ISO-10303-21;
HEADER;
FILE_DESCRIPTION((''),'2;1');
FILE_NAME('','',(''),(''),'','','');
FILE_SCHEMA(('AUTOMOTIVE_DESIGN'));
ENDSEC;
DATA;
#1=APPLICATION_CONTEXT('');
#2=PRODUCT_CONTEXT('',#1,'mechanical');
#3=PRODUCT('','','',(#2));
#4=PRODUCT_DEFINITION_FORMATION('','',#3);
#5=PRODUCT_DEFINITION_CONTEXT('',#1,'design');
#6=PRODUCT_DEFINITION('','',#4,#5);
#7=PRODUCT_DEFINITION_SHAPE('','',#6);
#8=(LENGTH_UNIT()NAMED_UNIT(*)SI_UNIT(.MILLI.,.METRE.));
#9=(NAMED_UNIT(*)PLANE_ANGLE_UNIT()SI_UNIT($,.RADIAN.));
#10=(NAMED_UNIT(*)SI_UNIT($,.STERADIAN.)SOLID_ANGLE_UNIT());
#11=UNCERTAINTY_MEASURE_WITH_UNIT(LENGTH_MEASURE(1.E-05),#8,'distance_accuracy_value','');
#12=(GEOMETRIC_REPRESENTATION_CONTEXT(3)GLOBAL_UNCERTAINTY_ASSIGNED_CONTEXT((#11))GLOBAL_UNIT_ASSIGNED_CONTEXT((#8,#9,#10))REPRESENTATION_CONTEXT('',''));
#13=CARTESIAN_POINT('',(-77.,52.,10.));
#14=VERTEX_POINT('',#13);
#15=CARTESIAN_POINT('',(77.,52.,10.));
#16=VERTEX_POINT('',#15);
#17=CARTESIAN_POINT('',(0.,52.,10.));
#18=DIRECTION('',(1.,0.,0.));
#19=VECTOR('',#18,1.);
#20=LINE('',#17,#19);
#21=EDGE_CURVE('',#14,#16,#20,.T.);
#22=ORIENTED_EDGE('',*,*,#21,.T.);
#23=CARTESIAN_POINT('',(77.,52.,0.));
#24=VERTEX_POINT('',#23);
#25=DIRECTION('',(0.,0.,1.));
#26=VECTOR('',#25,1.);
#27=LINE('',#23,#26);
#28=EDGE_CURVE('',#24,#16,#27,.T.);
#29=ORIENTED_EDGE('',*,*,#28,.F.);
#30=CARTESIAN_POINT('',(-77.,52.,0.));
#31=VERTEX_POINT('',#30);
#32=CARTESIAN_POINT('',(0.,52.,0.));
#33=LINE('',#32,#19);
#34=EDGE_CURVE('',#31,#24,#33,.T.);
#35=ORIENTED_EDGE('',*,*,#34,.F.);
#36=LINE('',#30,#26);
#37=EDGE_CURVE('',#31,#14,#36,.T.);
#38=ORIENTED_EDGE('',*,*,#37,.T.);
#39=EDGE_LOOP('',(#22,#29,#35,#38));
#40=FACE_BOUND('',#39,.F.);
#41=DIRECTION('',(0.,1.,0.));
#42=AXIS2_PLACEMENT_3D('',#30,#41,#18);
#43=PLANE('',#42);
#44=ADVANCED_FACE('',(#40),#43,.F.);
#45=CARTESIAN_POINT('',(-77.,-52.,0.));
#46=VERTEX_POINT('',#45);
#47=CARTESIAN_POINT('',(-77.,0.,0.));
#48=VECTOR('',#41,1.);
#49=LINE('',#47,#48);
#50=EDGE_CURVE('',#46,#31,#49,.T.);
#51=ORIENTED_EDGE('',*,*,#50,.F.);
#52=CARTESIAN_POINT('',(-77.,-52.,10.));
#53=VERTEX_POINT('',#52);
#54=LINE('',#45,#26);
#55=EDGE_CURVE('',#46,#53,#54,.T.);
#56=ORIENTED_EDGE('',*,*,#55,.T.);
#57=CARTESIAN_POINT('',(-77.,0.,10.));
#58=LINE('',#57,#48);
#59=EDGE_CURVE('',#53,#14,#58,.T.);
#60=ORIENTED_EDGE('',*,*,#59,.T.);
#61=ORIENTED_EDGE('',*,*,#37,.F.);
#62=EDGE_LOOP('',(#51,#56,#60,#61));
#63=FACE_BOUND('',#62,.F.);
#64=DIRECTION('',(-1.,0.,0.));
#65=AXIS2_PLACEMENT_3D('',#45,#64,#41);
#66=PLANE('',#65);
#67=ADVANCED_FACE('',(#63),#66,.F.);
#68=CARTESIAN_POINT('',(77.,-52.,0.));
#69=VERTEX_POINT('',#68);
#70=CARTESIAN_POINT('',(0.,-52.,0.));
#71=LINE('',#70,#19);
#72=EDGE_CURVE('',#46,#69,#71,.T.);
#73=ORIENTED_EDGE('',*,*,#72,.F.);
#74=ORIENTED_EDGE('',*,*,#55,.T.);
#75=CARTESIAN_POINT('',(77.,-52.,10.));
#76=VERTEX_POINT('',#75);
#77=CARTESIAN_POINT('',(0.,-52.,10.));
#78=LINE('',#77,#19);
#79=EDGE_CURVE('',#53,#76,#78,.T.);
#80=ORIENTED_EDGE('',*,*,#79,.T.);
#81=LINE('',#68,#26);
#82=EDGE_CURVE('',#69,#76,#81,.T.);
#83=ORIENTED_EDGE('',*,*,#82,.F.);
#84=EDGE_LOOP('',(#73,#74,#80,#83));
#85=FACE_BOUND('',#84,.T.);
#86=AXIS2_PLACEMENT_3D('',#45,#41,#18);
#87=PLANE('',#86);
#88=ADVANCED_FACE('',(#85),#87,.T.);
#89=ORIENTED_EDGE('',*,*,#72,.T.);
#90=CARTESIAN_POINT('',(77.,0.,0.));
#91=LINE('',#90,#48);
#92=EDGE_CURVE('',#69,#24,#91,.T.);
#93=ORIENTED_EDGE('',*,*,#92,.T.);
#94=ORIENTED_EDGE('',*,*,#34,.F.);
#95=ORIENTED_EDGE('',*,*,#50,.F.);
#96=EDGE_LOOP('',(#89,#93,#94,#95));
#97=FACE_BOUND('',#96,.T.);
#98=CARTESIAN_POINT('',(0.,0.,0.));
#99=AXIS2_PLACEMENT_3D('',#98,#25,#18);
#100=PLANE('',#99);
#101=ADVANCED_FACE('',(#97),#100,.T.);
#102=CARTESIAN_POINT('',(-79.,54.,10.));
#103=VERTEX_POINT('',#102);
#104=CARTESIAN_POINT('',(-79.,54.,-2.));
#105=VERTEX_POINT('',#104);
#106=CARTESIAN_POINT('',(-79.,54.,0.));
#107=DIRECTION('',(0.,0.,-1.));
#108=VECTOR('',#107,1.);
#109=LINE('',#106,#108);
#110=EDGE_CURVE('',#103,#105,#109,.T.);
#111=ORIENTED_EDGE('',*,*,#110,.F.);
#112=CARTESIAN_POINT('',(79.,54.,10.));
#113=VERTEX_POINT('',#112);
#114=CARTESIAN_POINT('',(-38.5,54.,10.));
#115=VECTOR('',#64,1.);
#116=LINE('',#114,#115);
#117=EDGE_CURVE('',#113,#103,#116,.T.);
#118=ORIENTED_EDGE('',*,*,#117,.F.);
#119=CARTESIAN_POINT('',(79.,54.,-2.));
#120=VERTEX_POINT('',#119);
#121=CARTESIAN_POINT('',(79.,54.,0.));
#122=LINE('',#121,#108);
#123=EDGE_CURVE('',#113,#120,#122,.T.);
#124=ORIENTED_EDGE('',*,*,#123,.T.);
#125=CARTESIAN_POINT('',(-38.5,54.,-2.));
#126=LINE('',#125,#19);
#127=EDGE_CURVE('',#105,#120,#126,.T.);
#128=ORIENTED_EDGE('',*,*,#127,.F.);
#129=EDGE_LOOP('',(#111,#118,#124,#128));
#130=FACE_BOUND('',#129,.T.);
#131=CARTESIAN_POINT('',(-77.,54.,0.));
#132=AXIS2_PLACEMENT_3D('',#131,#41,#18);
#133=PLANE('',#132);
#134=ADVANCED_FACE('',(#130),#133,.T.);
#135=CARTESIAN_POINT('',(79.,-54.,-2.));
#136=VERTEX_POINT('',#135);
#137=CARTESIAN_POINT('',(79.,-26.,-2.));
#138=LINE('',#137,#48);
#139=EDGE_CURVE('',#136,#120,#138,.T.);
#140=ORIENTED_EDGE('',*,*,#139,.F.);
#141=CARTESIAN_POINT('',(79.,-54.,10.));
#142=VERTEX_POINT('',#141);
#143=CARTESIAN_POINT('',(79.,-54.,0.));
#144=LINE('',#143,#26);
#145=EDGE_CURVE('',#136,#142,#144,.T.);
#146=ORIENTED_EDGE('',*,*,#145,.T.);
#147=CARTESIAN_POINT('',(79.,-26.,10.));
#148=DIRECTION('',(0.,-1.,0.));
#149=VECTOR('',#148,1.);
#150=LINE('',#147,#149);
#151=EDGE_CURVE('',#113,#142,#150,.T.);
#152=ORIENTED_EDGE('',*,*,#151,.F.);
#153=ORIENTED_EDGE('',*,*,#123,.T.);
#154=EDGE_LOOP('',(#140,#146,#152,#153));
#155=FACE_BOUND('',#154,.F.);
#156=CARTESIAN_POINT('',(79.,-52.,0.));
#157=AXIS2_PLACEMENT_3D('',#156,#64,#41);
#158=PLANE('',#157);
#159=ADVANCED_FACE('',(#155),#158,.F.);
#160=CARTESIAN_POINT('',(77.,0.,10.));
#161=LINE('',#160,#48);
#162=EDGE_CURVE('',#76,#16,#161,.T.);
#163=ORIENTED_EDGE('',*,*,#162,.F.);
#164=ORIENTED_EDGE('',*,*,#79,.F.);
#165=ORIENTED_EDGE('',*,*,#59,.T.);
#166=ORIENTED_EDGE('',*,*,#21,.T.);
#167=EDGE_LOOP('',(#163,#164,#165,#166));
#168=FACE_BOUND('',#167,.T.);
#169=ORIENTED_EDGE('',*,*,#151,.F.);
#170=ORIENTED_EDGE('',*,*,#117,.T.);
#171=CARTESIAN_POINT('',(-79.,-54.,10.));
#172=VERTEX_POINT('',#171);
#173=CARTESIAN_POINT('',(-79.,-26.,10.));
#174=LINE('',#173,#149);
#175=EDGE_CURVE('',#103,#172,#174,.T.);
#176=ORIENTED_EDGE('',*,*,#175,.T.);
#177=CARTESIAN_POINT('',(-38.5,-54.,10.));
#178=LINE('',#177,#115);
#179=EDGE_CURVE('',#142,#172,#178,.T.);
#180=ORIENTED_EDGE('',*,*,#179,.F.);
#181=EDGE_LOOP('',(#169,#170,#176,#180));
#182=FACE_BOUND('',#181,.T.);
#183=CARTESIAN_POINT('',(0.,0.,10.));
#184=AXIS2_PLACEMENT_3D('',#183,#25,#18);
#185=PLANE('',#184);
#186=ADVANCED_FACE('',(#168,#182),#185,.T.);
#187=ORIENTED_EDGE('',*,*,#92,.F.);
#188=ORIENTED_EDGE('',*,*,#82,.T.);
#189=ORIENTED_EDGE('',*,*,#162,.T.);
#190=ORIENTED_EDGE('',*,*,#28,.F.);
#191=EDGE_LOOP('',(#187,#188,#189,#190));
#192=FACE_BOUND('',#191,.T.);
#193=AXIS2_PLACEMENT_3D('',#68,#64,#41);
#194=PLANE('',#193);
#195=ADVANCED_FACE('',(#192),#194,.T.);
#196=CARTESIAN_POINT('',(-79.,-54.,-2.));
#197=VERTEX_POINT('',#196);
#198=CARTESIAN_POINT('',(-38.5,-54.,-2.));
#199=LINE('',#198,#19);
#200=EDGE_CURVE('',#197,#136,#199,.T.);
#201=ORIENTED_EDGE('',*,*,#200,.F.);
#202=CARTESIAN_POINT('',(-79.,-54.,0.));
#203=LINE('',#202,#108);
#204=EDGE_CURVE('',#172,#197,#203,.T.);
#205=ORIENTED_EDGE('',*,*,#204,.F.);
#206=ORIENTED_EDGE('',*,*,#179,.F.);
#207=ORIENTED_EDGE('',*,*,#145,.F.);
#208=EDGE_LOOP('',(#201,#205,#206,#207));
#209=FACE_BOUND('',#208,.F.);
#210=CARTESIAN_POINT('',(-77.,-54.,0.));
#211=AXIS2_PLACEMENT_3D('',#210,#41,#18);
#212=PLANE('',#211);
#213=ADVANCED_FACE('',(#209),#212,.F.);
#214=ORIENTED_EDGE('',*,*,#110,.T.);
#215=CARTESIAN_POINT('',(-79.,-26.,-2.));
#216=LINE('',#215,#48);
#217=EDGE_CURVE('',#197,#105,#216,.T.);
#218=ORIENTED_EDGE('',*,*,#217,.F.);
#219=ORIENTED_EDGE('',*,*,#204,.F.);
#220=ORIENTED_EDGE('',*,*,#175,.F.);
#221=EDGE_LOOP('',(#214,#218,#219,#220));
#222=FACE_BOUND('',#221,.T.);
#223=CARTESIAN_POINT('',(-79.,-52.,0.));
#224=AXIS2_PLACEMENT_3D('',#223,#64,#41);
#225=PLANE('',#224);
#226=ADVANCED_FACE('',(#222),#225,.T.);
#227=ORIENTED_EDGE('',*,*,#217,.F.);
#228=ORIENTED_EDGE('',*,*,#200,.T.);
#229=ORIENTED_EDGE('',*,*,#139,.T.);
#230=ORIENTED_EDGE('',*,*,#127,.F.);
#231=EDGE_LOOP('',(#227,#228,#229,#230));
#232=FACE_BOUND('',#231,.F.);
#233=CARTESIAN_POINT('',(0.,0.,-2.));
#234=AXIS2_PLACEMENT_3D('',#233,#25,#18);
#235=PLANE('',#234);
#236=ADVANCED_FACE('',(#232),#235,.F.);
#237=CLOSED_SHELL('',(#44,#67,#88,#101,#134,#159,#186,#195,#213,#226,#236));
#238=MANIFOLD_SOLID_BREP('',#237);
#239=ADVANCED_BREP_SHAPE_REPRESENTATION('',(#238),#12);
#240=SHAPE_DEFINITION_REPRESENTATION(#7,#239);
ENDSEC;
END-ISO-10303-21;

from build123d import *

# Parameters (mm, degrees)
F0_W     = 154
F0_H     = 104
F1_DEPTH = 10
F2_T     = 2


with BuildPart() as f1:
    # F0 (on Top) → F1 (new body)
    with BuildSketch(Plane.XY):
        Rectangle(F0_W, F0_H)
    extrude(amount=F1_DEPTH)

    # F2
    f2_openings = [f1.faces().sort_by_distance(p)[0] for p in [
        (0, 0, 10),
    ]]
    offset(amount=F2_T, openings=f2_openings, kind=Kind.INTERSECTION)


solid = f1.part
